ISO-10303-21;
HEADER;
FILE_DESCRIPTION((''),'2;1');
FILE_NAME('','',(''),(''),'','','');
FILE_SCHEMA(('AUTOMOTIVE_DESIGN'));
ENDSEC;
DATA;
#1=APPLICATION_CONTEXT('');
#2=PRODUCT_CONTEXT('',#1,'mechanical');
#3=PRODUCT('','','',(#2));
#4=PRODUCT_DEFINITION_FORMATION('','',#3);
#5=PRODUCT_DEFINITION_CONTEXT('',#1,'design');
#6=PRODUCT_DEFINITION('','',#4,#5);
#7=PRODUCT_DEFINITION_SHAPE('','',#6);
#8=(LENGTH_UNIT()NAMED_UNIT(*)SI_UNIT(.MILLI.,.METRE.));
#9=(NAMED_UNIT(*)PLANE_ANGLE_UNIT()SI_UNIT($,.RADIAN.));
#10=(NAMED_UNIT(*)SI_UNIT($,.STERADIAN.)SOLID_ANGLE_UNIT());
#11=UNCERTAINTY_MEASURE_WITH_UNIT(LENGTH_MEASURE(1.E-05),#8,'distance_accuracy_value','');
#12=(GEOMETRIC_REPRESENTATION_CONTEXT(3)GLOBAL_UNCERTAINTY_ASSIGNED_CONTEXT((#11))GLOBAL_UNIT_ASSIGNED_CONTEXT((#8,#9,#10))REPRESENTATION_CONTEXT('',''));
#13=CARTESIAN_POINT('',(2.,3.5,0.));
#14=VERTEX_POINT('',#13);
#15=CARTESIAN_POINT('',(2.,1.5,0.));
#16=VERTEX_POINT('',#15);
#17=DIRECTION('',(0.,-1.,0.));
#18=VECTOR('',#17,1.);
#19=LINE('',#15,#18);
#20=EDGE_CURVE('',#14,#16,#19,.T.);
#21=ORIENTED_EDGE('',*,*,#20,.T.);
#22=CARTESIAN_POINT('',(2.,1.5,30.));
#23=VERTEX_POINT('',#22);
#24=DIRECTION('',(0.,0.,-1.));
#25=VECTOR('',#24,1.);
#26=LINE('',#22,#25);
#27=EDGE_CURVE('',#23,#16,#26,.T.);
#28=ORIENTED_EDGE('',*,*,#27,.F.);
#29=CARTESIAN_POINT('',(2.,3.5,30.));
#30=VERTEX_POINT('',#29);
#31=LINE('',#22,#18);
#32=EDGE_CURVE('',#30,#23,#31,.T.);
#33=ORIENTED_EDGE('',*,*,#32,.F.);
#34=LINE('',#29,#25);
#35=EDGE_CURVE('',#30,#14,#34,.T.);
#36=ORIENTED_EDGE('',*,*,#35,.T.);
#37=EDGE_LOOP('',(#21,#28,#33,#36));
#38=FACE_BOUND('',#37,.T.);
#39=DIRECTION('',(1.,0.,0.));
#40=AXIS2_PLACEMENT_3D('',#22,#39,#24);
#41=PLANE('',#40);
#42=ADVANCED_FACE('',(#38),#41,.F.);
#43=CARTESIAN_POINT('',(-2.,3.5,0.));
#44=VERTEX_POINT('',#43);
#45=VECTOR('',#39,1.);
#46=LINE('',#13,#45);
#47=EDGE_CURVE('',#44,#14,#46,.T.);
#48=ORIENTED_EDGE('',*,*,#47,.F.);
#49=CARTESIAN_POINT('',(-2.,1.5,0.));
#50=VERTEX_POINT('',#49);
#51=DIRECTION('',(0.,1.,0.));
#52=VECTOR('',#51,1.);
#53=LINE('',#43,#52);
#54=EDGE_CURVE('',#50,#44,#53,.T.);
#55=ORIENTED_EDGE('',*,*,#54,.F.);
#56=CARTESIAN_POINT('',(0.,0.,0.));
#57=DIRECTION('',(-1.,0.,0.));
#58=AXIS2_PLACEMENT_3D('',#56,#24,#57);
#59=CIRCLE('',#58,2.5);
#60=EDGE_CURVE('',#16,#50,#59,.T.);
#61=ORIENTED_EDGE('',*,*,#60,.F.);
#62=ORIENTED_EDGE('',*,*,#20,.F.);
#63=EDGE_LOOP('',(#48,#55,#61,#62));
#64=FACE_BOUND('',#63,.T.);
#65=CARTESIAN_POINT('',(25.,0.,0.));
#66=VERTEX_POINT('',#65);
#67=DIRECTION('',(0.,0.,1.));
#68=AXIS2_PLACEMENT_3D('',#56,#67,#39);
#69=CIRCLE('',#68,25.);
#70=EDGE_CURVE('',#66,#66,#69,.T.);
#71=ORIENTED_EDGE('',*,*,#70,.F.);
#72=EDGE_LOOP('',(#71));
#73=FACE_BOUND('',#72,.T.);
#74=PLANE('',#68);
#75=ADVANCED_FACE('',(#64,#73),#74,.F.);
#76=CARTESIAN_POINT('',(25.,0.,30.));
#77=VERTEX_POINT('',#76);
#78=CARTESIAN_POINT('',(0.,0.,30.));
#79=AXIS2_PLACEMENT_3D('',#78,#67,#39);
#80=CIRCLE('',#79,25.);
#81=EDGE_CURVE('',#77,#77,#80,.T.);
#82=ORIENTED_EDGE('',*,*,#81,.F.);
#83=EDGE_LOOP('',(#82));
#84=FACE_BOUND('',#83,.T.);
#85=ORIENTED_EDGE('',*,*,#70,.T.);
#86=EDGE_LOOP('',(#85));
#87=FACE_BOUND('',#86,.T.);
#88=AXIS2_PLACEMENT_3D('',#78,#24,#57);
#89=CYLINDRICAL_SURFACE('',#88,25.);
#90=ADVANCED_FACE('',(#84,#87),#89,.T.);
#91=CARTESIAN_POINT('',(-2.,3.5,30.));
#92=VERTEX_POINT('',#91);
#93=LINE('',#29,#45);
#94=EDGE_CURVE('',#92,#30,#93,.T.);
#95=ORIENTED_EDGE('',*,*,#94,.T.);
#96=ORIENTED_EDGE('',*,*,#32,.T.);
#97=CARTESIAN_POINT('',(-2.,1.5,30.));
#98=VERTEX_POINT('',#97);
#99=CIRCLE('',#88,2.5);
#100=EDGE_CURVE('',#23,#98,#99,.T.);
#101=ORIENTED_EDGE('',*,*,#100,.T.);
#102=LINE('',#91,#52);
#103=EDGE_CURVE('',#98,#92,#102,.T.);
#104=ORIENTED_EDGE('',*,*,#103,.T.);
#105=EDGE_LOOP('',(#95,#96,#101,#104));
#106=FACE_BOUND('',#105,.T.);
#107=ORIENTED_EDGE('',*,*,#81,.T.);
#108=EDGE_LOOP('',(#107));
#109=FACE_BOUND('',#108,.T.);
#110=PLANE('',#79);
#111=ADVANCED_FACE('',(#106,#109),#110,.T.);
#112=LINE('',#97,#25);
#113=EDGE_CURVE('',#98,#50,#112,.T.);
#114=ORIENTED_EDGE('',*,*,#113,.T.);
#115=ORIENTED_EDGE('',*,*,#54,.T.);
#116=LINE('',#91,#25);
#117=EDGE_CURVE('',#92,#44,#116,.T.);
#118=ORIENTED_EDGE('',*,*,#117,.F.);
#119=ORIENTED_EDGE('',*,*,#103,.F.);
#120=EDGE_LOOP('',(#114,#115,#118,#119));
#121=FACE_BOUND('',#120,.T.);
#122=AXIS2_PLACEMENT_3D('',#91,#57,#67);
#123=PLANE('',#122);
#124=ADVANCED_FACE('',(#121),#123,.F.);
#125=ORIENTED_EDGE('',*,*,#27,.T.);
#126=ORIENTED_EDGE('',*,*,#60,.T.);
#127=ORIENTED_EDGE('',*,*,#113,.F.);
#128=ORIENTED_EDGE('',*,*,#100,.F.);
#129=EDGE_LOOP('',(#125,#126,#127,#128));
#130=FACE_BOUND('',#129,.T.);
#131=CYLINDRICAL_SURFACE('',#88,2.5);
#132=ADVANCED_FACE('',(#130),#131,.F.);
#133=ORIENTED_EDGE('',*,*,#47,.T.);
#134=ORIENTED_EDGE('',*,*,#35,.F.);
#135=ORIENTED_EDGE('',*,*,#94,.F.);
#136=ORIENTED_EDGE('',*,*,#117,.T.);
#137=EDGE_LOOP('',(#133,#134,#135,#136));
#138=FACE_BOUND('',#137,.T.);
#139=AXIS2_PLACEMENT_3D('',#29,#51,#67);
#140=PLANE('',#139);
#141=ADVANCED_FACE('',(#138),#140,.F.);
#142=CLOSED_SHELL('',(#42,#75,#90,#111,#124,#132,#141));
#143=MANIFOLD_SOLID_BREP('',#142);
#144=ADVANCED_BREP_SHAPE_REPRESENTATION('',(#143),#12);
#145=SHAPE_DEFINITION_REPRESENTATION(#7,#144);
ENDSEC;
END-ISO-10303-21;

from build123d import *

# Parameters (mm, degrees)
ESQUISSE1_R             = 25
BOSS_EXTRU_1_DEPTH      = 30
ESQUISSE14_R            = 2.5
ENL_V_MAT_EXTRU_1_DEPTH = 47.368092477
ESQUISSE15_W            = 4
ESQUISSE15_H            = 2
ENL_V_MAT_EXTRU_2_DEPTH = 47.368092477


with BuildPart() as part:
    # Esquisse1 → Boss.-Extru.1 (new body)
    with BuildSketch(Plane.XY):
        Circle(ESQUISSE1_R)
    extrude(amount=BOSS_EXTRU_1_DEPTH)

    # Esquisse14 → Enlèv. mat.-Extru.1 (cut, through all)
    with BuildSketch(Plane(origin=(0, 0, 0), x_dir=(-1, 0, 0), z_dir=(0, 0, -1))):
        Circle(ESQUISSE14_R)
    extrude(amount=-ENL_V_MAT_EXTRU_1_DEPTH, mode=Mode.SUBTRACT)

    # Esquisse15 → Enlèv. mat.-Extru.2 (cut, through all)
    with BuildSketch(Plane(origin=(0, 0, 0), x_dir=(-1, 0, 0), z_dir=(0, 0, -1))):
        with Locations((0, 2.5)):
            Rectangle(ESQUISSE15_W, ESQUISSE15_H)
    extrude(amount=-ENL_V_MAT_EXTRU_2_DEPTH, mode=Mode.SUBTRACT)


solid = part.part
